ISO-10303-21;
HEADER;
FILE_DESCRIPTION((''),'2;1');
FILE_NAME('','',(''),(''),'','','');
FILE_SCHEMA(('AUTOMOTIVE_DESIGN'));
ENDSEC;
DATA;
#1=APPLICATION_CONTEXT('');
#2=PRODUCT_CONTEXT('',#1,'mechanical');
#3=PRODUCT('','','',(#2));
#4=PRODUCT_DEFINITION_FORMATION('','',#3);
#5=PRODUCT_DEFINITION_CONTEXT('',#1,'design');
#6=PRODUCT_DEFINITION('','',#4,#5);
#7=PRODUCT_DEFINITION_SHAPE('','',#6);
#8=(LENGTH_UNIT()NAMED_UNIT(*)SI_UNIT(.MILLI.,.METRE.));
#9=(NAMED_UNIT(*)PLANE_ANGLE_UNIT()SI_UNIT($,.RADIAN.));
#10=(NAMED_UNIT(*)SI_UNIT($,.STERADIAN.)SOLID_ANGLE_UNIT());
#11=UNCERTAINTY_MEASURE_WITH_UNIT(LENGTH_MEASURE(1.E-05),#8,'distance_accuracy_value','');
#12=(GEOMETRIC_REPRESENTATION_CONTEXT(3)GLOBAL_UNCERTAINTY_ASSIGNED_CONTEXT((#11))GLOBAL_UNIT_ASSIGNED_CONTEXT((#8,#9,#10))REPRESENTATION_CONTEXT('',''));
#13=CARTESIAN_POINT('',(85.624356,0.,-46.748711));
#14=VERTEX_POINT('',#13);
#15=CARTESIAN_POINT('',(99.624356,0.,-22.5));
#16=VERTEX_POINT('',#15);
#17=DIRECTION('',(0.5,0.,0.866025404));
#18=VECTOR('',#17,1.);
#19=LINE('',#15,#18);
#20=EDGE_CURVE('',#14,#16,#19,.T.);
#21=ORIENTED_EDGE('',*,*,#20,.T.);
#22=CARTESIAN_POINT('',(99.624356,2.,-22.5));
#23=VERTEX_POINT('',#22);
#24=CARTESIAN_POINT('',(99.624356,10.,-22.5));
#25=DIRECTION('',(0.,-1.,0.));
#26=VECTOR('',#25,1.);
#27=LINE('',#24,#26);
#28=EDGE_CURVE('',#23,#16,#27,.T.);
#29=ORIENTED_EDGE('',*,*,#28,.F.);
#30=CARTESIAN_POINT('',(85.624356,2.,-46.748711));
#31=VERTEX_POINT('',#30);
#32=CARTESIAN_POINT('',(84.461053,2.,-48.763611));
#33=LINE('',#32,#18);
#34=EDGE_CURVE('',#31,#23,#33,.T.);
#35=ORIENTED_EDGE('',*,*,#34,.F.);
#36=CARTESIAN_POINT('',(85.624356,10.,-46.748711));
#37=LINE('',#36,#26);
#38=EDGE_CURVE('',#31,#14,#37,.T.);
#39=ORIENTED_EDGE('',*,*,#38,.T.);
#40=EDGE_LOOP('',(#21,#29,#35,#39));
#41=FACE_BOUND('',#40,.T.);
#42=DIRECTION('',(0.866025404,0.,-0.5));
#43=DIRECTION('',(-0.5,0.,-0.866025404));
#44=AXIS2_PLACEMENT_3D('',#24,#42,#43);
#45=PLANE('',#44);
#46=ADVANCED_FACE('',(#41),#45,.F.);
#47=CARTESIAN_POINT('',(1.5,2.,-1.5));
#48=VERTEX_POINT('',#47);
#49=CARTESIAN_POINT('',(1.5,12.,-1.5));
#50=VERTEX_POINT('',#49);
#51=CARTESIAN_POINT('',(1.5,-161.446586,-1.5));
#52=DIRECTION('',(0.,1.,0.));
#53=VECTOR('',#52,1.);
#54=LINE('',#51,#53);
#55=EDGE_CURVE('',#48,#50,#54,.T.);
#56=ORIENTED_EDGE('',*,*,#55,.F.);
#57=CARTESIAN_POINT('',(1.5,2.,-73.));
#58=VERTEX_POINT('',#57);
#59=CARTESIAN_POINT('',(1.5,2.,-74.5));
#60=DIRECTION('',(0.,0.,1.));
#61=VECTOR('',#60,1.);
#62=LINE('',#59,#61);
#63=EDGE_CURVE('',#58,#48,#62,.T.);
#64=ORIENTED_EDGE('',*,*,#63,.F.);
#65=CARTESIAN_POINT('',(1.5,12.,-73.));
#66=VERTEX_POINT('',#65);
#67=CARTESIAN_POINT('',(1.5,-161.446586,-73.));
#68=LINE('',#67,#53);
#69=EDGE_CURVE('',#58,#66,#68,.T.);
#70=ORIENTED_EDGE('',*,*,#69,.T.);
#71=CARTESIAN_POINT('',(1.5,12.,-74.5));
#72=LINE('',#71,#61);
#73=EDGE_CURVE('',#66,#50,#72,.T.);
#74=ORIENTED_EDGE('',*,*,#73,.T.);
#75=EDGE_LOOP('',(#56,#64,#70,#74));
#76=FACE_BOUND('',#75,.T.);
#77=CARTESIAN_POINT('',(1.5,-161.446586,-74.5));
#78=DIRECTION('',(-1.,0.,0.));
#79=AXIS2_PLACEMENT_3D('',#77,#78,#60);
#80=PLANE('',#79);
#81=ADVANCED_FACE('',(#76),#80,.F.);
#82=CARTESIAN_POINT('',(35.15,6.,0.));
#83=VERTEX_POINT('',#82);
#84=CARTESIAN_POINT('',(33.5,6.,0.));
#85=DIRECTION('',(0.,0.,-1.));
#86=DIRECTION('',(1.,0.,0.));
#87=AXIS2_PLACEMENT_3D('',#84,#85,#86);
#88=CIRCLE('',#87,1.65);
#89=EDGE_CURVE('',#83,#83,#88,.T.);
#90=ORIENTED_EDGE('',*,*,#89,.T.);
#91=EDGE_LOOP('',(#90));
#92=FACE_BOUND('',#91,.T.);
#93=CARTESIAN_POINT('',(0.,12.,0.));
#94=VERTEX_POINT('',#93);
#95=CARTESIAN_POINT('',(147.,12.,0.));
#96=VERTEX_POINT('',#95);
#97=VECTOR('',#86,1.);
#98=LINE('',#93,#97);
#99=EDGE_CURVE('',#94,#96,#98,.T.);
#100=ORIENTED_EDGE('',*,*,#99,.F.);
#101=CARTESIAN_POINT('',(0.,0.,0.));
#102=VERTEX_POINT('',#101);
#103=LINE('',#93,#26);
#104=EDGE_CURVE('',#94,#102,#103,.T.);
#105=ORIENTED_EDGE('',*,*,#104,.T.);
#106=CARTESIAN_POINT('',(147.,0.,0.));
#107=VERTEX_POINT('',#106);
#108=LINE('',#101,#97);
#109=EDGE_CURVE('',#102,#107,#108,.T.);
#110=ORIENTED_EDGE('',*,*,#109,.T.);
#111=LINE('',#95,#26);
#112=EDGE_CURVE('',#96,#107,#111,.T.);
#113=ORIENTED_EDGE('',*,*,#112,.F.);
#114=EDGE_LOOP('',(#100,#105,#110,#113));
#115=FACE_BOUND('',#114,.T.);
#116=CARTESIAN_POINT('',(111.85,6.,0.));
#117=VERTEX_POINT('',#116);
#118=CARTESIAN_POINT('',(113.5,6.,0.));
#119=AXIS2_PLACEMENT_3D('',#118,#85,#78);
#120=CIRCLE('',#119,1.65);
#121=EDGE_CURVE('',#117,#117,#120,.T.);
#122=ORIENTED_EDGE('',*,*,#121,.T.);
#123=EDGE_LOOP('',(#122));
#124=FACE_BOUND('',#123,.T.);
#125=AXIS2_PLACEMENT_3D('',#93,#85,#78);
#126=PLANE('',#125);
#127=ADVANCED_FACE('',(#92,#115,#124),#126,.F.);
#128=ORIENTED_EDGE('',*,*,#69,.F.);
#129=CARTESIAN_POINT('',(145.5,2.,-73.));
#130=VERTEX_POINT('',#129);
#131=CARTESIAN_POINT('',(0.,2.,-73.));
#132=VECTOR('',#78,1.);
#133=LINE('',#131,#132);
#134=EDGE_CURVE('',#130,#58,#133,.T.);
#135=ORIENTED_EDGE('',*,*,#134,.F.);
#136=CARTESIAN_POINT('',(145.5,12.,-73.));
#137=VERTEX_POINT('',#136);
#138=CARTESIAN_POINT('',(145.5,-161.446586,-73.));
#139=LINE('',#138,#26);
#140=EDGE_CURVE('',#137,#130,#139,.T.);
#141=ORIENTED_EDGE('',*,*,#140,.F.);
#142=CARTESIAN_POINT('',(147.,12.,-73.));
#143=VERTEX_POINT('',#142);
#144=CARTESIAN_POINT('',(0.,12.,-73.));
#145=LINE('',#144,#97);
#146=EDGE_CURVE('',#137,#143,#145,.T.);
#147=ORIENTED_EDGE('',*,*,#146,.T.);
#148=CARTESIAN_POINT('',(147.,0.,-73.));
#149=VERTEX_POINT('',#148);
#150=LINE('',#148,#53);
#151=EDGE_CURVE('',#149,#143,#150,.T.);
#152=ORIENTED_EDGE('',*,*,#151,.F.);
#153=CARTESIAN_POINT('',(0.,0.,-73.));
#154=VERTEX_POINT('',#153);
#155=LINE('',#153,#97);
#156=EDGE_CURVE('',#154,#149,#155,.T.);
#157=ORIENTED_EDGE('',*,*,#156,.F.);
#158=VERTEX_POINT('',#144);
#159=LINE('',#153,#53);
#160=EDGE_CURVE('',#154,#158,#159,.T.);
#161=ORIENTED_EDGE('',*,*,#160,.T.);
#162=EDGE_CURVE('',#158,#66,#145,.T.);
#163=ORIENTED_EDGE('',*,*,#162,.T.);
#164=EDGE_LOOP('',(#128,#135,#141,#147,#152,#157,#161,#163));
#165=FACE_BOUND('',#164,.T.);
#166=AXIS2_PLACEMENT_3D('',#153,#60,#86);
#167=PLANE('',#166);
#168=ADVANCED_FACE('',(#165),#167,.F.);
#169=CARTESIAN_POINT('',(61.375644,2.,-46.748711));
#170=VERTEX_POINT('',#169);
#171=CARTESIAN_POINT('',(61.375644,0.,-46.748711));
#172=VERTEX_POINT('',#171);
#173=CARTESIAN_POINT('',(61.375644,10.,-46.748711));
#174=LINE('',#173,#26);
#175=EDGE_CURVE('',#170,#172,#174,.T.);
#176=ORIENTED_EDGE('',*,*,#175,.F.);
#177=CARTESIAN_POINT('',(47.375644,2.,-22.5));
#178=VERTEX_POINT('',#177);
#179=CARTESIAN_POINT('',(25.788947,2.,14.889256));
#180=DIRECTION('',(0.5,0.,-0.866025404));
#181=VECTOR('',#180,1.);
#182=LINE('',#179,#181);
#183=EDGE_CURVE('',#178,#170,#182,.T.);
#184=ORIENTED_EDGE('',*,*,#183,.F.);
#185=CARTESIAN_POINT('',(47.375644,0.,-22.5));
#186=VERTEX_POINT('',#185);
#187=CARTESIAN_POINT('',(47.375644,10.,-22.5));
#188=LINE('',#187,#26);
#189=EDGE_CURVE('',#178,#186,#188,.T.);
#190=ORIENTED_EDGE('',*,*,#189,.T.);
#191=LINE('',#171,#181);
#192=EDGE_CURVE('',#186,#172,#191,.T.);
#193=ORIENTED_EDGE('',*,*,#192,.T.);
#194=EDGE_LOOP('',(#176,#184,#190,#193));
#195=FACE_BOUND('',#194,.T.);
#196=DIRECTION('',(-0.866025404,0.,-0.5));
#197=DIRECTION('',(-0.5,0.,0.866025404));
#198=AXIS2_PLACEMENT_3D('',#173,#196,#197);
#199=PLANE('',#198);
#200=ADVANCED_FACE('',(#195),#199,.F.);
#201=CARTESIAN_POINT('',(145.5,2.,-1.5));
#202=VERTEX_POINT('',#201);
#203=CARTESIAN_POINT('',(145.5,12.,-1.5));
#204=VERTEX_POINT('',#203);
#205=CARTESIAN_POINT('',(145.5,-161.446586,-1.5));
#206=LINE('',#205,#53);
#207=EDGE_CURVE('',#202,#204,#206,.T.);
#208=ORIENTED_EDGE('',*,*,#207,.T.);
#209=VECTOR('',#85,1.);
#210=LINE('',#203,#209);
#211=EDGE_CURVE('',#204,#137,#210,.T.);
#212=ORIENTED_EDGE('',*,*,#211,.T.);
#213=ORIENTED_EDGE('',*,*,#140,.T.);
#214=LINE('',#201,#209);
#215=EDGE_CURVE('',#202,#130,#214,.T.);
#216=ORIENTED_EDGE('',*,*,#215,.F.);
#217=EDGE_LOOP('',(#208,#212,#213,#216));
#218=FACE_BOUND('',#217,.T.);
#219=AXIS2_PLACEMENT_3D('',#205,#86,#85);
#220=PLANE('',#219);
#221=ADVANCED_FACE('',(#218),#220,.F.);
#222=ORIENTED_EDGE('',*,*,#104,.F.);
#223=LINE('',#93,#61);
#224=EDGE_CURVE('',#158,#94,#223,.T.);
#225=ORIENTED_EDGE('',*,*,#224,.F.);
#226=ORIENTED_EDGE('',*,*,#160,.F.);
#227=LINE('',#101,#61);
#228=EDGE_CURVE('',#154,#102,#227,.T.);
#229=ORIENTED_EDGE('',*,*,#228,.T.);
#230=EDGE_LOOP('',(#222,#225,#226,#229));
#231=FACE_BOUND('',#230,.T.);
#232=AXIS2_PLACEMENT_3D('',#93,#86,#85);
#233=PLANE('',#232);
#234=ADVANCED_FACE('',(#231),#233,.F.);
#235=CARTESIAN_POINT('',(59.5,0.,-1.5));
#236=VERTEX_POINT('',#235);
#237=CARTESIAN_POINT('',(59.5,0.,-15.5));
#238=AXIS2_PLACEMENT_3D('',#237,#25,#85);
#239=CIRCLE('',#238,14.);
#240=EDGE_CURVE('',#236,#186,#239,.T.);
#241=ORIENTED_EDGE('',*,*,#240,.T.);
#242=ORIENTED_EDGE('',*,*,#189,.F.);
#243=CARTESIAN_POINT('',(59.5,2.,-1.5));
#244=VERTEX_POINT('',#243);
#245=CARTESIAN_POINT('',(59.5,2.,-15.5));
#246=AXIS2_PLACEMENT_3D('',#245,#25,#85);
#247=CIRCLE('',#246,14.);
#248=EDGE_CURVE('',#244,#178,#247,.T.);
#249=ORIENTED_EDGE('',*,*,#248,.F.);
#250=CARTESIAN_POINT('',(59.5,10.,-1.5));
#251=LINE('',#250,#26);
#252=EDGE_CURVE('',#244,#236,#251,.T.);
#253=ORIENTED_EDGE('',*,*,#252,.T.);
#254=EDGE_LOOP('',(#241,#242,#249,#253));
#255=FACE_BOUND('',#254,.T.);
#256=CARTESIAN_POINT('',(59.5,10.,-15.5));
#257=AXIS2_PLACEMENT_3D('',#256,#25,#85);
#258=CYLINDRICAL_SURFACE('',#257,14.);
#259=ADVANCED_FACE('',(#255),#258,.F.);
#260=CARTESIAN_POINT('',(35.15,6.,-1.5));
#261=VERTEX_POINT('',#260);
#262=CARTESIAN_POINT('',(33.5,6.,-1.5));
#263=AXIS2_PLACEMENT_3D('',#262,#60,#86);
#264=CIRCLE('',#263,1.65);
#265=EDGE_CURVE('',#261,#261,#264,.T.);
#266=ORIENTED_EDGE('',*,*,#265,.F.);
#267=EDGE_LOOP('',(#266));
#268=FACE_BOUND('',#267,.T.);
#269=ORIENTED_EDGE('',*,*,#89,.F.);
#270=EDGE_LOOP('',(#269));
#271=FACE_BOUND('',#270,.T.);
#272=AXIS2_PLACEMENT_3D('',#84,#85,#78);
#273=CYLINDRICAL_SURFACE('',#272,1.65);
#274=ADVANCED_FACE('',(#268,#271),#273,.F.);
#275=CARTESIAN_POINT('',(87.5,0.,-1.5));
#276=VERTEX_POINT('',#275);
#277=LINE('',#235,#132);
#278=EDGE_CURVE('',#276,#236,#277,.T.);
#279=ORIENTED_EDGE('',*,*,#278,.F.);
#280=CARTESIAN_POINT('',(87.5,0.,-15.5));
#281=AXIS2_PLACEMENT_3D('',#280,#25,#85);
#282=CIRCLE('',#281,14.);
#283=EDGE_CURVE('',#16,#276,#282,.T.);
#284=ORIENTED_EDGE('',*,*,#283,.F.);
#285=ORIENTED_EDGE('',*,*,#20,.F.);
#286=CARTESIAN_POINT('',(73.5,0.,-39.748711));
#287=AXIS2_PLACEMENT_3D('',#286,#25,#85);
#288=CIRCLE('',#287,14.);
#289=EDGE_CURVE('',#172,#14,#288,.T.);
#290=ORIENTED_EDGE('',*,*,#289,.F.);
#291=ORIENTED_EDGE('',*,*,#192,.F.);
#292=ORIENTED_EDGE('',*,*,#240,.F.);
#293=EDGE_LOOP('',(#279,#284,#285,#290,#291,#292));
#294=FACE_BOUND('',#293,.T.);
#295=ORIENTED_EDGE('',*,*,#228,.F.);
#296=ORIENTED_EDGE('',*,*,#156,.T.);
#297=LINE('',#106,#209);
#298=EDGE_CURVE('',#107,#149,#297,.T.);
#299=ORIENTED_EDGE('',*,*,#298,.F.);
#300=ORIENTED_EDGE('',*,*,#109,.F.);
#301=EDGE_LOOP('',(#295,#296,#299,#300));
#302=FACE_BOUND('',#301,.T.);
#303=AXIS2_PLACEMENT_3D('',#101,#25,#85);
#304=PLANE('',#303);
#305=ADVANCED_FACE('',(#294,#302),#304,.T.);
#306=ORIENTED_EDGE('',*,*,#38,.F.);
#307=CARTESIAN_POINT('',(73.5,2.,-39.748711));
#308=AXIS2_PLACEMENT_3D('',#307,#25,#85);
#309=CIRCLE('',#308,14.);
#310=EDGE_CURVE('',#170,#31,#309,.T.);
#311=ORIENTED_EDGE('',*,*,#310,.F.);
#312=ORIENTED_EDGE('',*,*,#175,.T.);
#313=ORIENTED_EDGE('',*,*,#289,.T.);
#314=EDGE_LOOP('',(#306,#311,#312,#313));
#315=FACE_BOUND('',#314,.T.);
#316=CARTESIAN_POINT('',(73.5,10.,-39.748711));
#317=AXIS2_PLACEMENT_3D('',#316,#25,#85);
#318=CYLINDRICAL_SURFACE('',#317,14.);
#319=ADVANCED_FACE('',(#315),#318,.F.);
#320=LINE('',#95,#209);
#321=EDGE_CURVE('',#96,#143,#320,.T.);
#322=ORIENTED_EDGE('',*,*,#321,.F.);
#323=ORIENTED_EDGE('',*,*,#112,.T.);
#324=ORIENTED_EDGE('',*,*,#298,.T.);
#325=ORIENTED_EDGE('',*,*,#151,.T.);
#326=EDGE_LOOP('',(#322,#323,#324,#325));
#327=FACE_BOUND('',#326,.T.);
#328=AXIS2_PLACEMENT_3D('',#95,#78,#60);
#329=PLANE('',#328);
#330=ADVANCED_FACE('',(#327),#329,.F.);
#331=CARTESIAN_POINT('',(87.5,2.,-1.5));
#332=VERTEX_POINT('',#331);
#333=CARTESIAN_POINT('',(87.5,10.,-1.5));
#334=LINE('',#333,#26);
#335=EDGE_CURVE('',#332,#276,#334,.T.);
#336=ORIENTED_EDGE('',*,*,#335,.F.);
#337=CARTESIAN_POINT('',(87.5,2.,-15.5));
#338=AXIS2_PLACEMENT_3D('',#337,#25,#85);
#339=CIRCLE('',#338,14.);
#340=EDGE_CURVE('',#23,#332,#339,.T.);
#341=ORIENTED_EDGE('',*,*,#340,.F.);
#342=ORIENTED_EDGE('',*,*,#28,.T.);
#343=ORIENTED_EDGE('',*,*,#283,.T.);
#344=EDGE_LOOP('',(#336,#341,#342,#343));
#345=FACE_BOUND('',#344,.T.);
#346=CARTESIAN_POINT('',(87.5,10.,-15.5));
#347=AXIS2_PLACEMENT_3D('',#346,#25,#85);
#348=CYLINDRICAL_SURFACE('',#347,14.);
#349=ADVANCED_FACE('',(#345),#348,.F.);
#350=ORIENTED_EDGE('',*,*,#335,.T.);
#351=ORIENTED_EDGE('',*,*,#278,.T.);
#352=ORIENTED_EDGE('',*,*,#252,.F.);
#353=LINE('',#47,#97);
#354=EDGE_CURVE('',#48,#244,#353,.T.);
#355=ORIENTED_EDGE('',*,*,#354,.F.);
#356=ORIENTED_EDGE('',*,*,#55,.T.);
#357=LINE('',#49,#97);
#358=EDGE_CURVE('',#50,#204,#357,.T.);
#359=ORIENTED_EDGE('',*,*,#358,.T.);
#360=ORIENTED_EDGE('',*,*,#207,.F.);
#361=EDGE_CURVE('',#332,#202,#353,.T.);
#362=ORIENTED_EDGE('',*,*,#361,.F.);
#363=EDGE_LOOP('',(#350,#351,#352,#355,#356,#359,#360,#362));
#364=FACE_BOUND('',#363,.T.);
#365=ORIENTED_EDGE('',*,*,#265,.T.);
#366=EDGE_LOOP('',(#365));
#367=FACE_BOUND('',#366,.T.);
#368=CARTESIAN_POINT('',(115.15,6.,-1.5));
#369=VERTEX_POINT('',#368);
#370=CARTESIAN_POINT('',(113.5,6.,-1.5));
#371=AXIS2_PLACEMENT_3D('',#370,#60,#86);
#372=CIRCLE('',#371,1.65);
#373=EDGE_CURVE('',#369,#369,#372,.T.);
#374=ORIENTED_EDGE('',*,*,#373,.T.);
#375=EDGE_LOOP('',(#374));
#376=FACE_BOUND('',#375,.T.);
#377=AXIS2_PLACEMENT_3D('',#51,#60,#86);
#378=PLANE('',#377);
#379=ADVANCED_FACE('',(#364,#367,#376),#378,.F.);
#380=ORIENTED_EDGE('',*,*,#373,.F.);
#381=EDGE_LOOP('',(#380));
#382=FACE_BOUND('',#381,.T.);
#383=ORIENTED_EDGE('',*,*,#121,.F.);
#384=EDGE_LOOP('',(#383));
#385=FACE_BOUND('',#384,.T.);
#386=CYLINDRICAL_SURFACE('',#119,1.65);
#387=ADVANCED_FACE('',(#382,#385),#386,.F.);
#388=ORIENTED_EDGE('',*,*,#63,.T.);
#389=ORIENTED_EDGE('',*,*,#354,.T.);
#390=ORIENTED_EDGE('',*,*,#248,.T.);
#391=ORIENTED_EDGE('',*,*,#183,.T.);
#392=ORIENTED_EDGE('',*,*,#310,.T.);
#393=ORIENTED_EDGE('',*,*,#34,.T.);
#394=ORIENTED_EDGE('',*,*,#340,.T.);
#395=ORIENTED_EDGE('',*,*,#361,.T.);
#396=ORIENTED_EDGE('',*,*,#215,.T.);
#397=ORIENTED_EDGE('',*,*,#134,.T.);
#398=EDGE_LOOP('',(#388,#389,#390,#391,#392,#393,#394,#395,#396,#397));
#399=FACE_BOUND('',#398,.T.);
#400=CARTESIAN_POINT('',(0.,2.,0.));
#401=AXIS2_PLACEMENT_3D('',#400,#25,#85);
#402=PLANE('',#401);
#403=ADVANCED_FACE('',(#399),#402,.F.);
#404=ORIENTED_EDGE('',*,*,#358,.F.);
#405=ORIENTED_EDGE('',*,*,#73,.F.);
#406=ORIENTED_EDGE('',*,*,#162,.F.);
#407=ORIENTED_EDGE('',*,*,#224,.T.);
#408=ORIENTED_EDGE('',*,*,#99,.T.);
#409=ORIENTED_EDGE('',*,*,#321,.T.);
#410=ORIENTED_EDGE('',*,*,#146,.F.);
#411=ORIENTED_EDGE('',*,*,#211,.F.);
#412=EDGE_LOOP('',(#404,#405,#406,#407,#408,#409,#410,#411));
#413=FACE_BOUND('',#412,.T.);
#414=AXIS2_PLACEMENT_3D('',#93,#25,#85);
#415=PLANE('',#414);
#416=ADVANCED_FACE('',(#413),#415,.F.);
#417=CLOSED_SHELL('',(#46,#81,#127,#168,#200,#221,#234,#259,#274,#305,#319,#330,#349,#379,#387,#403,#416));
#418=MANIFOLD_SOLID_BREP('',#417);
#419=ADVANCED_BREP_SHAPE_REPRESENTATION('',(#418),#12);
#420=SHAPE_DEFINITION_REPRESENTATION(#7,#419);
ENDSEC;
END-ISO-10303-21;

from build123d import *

# Parameters (mm, degrees)
SKETCH_1_W          = 147
SKETCH_1_H          = 76
EXTRUDE_1_DEPTH     = 12
SKETCH_2_W          = 144
SKETCH_2_H          = 73
CUT_EXTRUDE_1_DEPTH = 10
SKETCH_3_R          = 1.65
CUT_EXTRUDE_2_DEPTH = 166.918654768
CUT_EXTRUDE_3_DEPTH = 10
SKETCH_6_W          = 147
SKETCH_6_H          = 3
CUT_EXTRUDE_4_DEPTH = 166.918654768


with BuildPart() as part:
    # 草图1 → 凸台-拉伸1 (new body)
    with BuildSketch(Plane(origin=(0, 0, 0), x_dir=(1, 0, 0), z_dir=(0, 1, 0))):
        with Locations((73.5, 38)):
            Rectangle(SKETCH_1_W, SKETCH_1_H)
    extrude(amount=EXTRUDE_1_DEPTH)

    # 草图2 → 切除-拉伸1 (cut)
    with BuildSketch(Plane(origin=(0, 12, 0), x_dir=(1, 0, 0), z_dir=(0, 1, 0))):
        with Locations((73.5, 38)):
            Rectangle(SKETCH_2_W, SKETCH_2_H)
    extrude(amount=-CUT_EXTRUDE_1_DEPTH, mode=Mode.SUBTRACT)

    # 草图3 → 切除-拉伸2 (cut, through all)
    with BuildSketch(Plane(origin=(0, 0, -76), x_dir=(-1, 0, 0), z_dir=(0, 0, -1))):
        with Locations((-113.5, 6)):
            Circle(SKETCH_3_R)
        with Locations((-33.5, 6)):
            Circle(SKETCH_3_R)
    extrude(amount=-CUT_EXTRUDE_2_DEPTH, mode=Mode.SUBTRACT)

    # 草图5 → 切除-拉伸3 (cut)
    with BuildSketch(Plane.XZ):
        with BuildLine():
            Line((61.375644347, -46.748711306), (47.375644347, -22.5))
            ThreePointArc((47.375644347, -22.5), (47.375644347, -8.5), (59.5, -1.5))
            Line((59.5, -1.5), (87.5, -1.5))
            ThreePointArc((87.5, -1.5), (99.624355653, -8.5), (99.624355653, -22.5))
            Line((99.624355653, -22.5), (85.624355653, -46.748711306))
            ThreePointArc((85.624355653, -46.748711306), (73.5, -53.748711306), (61.375644347, -46.748711306))
        make_face()
    extrude(amount=-CUT_EXTRUDE_3_DEPTH, mode=Mode.SUBTRACT)

    # 草图6 → 切除-拉伸4 (cut, through all)
    with BuildSketch(Plane(origin=(0, 12, 0), x_dir=(1, 0, 0), z_dir=(0, 1, 0))):
        with Locations((73.5, 74.5)):
            Rectangle(SKETCH_6_W, SKETCH_6_H)
    extrude(amount=-CUT_EXTRUDE_4_DEPTH, mode=Mode.SUBTRACT)


solid = part.part
